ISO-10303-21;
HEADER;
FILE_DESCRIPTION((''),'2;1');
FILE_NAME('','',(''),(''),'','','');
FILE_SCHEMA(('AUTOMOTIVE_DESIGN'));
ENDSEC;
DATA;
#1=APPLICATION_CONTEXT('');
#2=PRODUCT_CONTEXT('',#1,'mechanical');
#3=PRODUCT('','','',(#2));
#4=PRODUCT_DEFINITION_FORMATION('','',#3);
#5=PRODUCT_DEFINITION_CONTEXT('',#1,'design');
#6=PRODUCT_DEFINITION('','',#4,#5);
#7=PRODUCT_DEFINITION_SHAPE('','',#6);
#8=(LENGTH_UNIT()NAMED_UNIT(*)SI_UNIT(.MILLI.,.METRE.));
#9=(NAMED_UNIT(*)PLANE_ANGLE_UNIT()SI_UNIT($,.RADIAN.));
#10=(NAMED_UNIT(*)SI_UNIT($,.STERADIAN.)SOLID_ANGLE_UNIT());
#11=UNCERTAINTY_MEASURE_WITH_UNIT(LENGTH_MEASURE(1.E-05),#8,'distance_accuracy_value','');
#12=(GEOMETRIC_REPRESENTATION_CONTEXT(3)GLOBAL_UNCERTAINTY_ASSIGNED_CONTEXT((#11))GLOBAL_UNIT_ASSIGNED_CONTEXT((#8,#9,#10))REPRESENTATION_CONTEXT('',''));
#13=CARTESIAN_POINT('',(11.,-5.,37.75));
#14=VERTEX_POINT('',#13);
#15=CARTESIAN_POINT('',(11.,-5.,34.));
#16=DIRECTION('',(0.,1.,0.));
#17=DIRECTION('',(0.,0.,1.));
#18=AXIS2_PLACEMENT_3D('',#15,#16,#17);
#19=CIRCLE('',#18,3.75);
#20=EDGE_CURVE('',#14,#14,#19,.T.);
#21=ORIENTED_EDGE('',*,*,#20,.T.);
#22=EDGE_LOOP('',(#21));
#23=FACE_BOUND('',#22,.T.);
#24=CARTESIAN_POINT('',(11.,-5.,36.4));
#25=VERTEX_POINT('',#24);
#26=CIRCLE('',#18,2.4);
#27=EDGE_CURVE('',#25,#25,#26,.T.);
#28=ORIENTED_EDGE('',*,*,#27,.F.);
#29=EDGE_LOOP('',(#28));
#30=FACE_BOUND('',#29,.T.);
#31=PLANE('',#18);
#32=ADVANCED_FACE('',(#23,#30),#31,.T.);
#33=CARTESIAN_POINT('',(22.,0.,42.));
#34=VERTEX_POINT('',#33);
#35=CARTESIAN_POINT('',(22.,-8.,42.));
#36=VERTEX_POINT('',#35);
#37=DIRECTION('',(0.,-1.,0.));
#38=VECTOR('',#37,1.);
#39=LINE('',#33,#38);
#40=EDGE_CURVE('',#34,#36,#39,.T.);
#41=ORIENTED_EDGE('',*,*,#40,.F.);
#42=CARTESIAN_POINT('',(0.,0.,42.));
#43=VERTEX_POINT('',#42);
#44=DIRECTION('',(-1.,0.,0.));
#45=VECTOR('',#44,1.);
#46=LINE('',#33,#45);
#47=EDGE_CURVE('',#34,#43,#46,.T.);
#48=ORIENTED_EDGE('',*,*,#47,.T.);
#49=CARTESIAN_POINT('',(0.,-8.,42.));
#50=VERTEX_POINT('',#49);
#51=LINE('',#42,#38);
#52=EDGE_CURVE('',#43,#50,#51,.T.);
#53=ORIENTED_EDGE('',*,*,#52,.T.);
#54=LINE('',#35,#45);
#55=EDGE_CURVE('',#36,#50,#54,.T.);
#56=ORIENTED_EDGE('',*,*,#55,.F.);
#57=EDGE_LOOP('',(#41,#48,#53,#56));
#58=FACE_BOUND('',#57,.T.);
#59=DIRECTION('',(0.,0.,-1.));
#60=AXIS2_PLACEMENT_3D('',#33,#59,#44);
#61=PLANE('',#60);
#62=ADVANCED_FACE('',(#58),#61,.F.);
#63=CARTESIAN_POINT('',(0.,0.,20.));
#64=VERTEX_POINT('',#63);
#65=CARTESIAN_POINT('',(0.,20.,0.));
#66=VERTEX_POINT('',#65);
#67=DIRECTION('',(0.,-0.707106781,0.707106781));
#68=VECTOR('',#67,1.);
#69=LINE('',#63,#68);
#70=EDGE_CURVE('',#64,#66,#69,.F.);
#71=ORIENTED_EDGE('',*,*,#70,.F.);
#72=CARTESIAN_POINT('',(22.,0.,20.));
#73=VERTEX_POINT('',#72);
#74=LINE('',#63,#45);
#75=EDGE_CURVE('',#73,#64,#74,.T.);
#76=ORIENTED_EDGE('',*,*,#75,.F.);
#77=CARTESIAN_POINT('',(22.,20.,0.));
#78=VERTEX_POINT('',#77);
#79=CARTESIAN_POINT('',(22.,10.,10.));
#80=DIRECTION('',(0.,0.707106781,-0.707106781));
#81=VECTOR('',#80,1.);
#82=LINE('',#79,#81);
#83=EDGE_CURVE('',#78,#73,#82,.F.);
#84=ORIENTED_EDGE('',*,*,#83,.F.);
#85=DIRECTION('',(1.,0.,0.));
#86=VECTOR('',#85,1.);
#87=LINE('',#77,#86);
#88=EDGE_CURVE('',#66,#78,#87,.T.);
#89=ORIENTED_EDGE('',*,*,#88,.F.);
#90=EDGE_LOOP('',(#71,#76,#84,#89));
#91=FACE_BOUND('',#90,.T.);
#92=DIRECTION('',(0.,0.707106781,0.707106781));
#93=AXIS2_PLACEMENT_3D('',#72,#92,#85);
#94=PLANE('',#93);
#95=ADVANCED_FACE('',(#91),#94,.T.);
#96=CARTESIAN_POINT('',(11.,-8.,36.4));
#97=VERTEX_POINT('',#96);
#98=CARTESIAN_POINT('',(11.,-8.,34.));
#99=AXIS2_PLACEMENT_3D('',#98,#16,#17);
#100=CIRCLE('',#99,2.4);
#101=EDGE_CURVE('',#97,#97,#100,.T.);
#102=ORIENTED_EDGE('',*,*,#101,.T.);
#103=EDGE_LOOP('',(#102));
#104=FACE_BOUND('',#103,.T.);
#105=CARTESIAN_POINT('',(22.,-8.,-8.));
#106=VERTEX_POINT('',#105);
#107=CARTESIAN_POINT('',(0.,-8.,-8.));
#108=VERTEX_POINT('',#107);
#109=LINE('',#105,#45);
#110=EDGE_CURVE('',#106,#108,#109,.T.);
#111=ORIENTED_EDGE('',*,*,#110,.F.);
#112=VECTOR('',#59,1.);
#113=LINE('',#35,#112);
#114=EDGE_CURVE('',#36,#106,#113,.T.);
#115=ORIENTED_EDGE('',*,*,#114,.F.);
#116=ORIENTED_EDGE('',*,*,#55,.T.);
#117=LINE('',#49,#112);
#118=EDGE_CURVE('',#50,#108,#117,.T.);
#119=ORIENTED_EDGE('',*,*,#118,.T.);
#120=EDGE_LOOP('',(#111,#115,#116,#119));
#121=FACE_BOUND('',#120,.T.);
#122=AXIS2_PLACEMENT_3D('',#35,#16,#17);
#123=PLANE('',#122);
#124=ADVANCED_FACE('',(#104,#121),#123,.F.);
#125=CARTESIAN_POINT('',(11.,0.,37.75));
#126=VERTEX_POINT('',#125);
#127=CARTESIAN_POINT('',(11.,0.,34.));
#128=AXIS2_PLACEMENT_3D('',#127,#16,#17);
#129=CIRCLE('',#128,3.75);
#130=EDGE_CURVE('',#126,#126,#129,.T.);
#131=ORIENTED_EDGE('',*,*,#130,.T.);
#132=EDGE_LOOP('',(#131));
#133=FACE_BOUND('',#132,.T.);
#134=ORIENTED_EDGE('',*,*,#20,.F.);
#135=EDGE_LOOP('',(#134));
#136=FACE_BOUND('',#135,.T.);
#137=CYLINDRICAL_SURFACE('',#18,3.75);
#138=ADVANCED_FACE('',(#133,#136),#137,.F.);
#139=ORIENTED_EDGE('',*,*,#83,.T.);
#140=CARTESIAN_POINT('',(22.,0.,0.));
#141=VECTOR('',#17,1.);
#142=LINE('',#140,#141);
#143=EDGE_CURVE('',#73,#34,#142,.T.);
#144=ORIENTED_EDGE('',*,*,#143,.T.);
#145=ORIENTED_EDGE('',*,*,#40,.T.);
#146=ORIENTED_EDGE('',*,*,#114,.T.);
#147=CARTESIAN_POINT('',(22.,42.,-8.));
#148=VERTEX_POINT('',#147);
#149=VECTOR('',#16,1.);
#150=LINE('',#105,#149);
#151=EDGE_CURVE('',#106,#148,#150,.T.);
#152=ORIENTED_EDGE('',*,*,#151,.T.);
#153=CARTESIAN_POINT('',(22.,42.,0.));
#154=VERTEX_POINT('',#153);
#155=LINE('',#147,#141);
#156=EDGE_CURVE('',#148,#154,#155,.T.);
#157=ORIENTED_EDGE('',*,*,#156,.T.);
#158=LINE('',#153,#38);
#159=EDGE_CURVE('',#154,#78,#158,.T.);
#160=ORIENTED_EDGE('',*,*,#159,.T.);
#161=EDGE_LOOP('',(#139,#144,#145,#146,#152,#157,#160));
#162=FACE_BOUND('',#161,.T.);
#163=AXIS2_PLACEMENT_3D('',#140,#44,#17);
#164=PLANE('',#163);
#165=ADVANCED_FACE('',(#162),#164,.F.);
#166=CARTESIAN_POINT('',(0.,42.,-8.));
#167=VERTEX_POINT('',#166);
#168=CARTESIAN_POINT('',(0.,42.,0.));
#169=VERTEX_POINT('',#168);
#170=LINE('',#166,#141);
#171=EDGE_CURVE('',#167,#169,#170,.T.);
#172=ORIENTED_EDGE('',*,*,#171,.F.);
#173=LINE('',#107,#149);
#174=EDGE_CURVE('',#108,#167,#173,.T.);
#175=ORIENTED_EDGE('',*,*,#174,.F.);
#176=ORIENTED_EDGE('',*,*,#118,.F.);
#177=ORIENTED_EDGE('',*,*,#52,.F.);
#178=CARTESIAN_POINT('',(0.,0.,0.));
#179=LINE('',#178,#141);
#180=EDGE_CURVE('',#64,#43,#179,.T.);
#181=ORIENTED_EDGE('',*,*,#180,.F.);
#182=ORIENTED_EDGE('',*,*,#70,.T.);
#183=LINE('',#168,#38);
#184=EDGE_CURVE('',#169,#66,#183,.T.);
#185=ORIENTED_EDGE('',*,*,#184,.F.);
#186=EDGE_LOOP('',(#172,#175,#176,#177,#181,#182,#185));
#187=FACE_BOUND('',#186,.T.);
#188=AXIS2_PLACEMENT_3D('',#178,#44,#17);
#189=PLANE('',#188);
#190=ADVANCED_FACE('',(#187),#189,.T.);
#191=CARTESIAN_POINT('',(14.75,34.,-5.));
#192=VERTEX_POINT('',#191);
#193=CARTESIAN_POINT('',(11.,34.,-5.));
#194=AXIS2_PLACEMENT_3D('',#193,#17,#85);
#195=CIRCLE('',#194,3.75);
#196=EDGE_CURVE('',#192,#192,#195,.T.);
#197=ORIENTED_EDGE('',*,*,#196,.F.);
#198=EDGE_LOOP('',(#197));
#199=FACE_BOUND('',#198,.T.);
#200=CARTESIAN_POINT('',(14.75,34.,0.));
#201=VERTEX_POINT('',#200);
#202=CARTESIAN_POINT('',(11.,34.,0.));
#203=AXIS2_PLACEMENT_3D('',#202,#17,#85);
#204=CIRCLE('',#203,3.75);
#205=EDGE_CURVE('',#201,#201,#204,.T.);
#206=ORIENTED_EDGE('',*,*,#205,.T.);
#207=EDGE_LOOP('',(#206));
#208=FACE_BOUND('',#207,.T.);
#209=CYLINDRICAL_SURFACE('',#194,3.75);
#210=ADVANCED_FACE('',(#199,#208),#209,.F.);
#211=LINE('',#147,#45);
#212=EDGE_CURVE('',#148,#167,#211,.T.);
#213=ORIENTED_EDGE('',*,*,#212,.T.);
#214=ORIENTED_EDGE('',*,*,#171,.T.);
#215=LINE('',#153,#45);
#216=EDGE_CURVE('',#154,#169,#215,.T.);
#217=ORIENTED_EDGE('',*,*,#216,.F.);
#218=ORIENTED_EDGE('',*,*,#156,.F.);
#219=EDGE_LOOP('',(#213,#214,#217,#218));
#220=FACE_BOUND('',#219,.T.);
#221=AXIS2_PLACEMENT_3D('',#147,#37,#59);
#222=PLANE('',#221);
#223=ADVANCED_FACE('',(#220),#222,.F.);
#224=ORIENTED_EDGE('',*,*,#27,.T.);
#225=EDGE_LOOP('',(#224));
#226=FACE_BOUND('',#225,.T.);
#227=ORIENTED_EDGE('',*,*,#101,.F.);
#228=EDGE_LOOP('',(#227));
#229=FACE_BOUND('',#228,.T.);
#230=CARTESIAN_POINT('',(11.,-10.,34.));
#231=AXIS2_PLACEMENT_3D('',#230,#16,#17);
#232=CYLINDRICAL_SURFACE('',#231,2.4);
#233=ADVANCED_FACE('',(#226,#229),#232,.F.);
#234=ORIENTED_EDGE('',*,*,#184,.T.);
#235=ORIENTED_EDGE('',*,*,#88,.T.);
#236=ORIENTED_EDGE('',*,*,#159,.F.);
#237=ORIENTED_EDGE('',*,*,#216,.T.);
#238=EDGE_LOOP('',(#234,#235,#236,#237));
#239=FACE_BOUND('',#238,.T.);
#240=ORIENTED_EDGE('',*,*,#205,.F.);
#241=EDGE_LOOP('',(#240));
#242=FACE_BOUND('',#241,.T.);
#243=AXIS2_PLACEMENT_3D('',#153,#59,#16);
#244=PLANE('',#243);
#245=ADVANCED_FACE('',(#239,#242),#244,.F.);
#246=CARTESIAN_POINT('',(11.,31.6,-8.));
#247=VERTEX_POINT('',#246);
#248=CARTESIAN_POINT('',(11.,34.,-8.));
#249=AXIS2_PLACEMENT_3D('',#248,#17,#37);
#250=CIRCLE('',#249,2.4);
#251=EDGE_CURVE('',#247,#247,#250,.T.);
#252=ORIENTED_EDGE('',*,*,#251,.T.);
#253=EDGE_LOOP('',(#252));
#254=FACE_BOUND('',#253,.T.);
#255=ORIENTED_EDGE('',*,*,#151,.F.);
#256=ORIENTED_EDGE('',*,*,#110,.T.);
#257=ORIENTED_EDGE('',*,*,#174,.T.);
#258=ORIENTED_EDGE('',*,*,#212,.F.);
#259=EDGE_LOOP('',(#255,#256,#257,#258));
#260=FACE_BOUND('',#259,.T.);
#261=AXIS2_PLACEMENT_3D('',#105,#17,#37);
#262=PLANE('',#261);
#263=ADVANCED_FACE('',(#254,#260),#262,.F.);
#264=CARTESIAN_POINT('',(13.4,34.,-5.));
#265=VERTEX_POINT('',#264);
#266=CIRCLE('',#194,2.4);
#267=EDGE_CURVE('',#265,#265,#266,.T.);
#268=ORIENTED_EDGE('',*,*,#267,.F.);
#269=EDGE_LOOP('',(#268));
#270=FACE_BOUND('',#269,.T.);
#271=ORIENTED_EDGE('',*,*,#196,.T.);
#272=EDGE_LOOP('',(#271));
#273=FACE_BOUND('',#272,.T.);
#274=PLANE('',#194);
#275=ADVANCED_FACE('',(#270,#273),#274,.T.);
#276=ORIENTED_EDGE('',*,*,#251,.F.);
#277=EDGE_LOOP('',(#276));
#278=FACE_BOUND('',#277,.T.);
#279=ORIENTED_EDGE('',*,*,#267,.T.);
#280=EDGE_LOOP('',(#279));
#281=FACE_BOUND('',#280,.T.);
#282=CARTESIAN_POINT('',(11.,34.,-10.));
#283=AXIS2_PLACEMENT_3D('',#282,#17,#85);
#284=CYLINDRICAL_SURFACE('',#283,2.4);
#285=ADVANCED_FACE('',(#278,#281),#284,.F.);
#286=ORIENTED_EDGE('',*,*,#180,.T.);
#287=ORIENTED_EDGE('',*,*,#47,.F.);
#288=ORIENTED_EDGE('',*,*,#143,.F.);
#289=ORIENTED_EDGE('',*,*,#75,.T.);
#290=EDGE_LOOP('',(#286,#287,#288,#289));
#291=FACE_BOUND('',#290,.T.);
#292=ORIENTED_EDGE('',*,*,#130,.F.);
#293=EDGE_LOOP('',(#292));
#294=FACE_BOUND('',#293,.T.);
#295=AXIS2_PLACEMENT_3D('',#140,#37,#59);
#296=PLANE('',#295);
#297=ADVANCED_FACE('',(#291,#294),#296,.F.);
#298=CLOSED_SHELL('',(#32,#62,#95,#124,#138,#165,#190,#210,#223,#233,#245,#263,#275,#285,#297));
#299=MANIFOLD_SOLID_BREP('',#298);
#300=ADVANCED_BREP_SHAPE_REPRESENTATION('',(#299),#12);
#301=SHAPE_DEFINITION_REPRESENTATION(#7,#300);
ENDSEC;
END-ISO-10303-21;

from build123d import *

# Parameters (mm, degrees)
BOSS_EXTRUDE1_DEPTH = 22
SKETCH2_R           = 3.75
CUT_EXTRUDE1_DEPTH  = 5
SKETCH3_R           = 2.4
CUT_EXTRUDE2_DEPTH  = 5
SKETCH4_R           = 3.75
CUT_EXTRUDE3_DEPTH  = 5
SKETCH5_R           = 2.4
CUT_EXTRUDE4_DEPTH  = 5
CHAMFER1_SIZE       = 20


with BuildPart() as part:
    # Sketch1 → Boss-Extrude1 (new body)
    with BuildSketch(Plane(origin=(0, 0, 0), x_dir=(0, 0, -1), z_dir=(1, 0, 0))):
        Polygon((0, 0), (-42, 0), (-42, -8), (8, -8), (8, 42), (0, 42), align=None)
    extrude(amount=BOSS_EXTRUDE1_DEPTH)

    # Sketch2 → Cut-Extrude1 (cut)
    with BuildSketch(Plane.XY):
        with Locations((11, 34)):
            Circle(SKETCH2_R)
    extrude(amount=-CUT_EXTRUDE1_DEPTH, mode=Mode.SUBTRACT)

    # Sketch3 → Cut-Extrude2 (cut)
    with BuildSketch(Plane.XY.offset(-5)):
        with Locations((11, 34)):
            Circle(SKETCH3_R)
    extrude(amount=-CUT_EXTRUDE2_DEPTH, mode=Mode.SUBTRACT)

    # Sketch4 → Cut-Extrude3 (cut)
    with BuildSketch(Plane(origin=(0, 0, 0), x_dir=(1, 0, 0), z_dir=(0, 1, 0))):
        with Locations((11, -34)):
            Circle(SKETCH4_R)
    extrude(amount=-CUT_EXTRUDE3_DEPTH, mode=Mode.SUBTRACT)

    # Sketch5 → Cut-Extrude4 (cut)
    with BuildSketch(Plane(origin=(0, -5, 0), x_dir=(1, 0, 0), z_dir=(0, 1, 0))):
        with Locations((11, -34)):
            Circle(SKETCH5_R)
    extrude(amount=-CUT_EXTRUDE4_DEPTH, mode=Mode.SUBTRACT)

    # Chamfer1
    chamfer1_edges = [part.edges().sort_by_distance(p)[0] for p in [
        (11, 0, 0),
    ]]
    chamfer(chamfer1_edges, length=CHAMFER1_SIZE)


solid = part.part
